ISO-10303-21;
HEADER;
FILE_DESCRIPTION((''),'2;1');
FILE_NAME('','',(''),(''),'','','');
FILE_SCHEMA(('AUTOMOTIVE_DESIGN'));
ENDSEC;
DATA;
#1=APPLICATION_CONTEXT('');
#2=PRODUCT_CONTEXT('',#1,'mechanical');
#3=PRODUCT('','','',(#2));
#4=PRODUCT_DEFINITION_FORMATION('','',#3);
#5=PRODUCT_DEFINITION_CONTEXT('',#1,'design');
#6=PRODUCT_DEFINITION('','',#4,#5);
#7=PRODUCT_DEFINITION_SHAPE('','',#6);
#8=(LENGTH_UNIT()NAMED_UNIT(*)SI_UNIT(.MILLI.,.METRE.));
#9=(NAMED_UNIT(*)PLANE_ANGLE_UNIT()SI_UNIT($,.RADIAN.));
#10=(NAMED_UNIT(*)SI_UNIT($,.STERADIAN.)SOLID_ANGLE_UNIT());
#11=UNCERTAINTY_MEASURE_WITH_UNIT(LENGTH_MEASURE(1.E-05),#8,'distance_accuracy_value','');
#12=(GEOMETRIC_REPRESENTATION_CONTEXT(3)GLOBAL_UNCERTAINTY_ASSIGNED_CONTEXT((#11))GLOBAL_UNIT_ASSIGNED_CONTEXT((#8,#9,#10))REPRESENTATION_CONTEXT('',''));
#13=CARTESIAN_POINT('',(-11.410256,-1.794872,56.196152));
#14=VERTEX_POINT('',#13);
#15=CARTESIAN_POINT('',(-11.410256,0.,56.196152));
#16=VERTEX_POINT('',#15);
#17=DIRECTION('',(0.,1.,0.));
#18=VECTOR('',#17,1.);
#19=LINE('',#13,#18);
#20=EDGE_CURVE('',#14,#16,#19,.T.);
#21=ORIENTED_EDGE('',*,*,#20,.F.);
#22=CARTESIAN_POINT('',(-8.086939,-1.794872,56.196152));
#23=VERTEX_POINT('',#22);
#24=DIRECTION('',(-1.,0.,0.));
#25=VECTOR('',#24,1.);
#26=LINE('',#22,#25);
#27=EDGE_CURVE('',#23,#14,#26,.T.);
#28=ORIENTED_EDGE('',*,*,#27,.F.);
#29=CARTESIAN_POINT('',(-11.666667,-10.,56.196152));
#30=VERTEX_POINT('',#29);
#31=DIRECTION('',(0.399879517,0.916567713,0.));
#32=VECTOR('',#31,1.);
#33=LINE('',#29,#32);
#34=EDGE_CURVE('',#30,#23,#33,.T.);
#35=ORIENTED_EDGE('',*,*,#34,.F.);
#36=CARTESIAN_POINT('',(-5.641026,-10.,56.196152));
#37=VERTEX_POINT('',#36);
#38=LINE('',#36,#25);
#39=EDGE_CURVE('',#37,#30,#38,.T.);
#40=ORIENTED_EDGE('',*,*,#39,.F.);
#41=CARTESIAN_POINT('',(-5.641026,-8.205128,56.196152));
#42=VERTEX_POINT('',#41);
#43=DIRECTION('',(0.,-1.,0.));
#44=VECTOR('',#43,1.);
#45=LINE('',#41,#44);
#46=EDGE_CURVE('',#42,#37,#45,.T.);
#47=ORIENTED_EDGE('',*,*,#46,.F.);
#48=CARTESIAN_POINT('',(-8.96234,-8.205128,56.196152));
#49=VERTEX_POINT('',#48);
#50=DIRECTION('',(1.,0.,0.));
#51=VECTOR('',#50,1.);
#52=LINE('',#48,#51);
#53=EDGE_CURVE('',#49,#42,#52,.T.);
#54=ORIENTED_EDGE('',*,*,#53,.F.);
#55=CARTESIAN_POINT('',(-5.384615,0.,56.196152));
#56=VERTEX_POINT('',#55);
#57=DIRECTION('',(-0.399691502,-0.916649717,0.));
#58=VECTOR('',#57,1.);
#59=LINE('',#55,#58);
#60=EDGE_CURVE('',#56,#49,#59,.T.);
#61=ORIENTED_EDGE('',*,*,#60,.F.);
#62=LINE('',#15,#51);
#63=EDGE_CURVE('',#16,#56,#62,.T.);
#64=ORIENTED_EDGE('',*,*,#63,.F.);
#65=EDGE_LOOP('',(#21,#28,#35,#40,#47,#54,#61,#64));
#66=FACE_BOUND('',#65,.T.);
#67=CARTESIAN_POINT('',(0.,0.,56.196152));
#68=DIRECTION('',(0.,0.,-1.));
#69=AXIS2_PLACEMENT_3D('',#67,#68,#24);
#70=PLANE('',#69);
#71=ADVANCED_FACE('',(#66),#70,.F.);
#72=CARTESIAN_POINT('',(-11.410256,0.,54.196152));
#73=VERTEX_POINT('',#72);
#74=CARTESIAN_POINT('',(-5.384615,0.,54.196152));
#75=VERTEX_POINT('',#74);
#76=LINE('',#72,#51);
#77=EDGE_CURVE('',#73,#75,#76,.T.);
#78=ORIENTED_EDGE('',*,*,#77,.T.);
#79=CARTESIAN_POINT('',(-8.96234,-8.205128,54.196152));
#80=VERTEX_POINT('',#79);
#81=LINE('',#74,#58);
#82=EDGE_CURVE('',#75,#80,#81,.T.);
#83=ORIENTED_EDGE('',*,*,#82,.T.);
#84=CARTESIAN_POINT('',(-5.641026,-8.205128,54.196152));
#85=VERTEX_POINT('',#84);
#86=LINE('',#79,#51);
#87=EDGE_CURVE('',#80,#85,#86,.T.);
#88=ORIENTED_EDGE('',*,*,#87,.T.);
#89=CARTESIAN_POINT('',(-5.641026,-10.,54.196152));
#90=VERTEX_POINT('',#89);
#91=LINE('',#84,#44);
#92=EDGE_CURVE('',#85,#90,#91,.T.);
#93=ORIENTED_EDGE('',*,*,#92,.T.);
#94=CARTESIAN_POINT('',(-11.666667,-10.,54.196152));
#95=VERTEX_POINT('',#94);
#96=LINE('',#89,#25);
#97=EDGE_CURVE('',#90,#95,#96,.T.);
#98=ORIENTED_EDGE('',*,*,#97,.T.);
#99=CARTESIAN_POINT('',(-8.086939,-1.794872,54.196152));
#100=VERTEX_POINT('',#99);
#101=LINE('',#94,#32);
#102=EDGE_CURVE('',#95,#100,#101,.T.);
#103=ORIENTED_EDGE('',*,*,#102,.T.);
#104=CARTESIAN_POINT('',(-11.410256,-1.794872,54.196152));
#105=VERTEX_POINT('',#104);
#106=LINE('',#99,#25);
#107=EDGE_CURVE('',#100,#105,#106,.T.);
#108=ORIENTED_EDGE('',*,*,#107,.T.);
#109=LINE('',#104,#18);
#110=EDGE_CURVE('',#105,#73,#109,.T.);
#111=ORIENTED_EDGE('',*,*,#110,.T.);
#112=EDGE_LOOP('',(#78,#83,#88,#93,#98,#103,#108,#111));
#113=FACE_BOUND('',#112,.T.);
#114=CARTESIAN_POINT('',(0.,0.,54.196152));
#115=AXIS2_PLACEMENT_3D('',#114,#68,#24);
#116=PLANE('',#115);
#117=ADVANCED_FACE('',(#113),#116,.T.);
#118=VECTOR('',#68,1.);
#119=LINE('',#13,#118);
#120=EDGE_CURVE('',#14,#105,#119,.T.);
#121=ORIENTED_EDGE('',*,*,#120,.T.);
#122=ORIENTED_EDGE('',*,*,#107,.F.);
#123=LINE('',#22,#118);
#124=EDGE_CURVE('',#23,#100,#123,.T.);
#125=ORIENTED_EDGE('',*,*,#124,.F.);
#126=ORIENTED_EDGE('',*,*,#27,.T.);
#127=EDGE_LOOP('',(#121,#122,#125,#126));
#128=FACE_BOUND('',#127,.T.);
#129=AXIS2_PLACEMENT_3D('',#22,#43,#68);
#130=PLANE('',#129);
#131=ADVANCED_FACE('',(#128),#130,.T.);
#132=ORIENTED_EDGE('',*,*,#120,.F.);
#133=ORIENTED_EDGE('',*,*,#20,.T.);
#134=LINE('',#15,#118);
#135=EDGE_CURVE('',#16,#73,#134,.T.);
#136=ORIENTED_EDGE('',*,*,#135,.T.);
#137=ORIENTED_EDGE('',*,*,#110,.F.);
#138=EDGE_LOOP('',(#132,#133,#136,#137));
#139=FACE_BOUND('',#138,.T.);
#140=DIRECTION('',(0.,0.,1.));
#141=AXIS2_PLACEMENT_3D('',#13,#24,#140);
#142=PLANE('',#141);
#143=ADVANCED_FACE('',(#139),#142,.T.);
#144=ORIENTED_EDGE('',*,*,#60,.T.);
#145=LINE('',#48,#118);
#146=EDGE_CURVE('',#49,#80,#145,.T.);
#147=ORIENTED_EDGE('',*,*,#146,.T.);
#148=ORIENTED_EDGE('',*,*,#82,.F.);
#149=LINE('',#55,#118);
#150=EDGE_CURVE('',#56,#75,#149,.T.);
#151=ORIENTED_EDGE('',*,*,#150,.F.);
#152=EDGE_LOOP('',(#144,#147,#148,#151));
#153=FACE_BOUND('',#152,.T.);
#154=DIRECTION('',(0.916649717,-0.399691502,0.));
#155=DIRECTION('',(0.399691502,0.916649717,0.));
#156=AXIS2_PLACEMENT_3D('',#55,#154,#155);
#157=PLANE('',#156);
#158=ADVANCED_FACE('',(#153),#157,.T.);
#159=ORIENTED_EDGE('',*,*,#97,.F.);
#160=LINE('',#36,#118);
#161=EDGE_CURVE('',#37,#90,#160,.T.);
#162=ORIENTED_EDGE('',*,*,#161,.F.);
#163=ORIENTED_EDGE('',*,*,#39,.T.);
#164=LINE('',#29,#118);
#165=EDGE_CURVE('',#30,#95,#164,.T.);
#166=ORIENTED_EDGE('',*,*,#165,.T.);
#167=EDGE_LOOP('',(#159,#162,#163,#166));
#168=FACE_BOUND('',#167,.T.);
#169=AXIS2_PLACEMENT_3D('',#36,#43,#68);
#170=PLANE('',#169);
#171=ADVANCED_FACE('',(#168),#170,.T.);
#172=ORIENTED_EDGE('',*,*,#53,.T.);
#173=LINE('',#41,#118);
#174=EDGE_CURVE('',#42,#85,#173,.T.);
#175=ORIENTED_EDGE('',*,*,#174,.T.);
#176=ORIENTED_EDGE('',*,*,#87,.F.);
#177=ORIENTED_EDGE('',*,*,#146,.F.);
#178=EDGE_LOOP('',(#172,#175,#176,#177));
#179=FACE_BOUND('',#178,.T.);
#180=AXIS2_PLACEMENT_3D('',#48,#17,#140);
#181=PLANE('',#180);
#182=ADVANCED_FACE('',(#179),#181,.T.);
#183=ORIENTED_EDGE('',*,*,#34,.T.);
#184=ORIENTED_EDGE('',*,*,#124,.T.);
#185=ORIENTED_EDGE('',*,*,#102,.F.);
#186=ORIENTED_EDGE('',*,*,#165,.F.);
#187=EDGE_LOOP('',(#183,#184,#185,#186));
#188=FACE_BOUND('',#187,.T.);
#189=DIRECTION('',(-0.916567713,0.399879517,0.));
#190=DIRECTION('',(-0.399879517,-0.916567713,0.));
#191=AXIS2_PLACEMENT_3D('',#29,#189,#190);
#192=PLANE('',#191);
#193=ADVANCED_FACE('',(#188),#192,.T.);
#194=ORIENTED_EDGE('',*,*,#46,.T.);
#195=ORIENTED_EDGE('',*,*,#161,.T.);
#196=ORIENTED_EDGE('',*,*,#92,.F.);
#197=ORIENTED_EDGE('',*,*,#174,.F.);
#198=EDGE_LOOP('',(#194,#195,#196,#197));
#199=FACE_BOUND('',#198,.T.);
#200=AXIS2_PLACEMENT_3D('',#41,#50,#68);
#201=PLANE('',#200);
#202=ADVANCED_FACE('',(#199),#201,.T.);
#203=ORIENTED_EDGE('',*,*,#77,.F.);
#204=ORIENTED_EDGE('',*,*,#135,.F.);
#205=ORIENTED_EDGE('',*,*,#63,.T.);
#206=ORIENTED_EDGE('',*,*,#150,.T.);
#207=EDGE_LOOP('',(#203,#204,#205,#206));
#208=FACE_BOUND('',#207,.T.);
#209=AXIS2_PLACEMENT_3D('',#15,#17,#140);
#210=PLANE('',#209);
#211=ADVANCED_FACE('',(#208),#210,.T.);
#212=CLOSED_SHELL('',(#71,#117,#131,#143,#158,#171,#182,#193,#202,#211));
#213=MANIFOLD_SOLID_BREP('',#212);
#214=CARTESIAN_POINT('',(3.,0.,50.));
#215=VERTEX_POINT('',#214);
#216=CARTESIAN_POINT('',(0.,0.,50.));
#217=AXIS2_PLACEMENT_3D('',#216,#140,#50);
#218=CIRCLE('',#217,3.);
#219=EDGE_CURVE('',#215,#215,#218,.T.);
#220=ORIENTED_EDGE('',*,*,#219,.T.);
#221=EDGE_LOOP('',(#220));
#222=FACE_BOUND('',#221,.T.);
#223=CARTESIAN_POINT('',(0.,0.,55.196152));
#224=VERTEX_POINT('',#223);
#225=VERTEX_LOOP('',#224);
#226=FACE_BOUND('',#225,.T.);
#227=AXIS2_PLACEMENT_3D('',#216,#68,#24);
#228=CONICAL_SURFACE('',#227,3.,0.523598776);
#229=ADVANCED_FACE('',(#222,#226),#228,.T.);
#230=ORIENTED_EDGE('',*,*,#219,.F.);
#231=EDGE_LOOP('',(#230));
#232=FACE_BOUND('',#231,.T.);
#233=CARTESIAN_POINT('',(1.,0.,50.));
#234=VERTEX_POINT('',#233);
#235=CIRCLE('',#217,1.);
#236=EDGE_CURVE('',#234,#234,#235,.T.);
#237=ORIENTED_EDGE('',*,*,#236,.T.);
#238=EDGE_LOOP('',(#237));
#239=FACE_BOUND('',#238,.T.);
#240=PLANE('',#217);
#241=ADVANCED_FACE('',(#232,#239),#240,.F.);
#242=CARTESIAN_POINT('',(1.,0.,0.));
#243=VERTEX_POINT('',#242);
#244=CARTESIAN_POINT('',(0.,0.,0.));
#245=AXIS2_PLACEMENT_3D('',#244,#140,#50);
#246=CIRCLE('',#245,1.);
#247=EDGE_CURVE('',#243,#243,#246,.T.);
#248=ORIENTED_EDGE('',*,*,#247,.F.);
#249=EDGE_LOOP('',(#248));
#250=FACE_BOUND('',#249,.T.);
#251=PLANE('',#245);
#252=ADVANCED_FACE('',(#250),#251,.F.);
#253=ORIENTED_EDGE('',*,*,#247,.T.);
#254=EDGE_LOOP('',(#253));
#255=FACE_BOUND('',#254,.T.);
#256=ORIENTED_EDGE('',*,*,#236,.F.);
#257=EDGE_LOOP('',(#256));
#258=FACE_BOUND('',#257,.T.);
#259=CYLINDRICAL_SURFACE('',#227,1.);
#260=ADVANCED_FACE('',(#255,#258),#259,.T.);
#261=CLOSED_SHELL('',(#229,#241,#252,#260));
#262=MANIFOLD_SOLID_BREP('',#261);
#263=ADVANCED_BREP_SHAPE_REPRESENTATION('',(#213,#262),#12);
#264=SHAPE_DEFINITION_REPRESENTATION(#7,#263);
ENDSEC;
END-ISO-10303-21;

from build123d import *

# Parameters (mm, degrees)
SKETCH1_R           = 1
BOSS_EXTRUDE1_DEPTH = 50
BOSS_EXTRUDE2_DEPTH = 1


with BuildPart() as part:
    # Sketch1 → Boss-Extrude1 (new body)
    with BuildSketch(Plane.XY):
        Circle(SKETCH1_R)
    extrude(amount=BOSS_EXTRUDE1_DEPTH)

    # Sketch2 → Revolve1 (revolve)
    with BuildSketch(Plane(origin=(0, 0, 0), x_dir=(1, 0, 0), z_dir=(0, 1, 0))):
        Polygon((0, -50), (-3, -50), (0, -55.196152423), align=None)
    revolve(axis=Axis((0, 0, 55.196152423), (0, 0, -1)))


with BuildPart() as body_2:
    # Sketch4 → Boss-Extrude2 (new, symmetric)
    with BuildSketch(Plane.XY.offset(55.196152423)):
        Polygon((-5.641025641, -10), (-11.666666667, -10), (-8.086939103, -1.794871795), (-11.41025641, -1.794871795), (-11.41025641, 0), (-5.384615385, 0), (-8.962339744, -8.205128205), (-5.641025641, -8.205128205), align=None)
    extrude(amount=BOSS_EXTRUDE2_DEPTH, both=True)


solid = Compound([part.part, body_2.part])
